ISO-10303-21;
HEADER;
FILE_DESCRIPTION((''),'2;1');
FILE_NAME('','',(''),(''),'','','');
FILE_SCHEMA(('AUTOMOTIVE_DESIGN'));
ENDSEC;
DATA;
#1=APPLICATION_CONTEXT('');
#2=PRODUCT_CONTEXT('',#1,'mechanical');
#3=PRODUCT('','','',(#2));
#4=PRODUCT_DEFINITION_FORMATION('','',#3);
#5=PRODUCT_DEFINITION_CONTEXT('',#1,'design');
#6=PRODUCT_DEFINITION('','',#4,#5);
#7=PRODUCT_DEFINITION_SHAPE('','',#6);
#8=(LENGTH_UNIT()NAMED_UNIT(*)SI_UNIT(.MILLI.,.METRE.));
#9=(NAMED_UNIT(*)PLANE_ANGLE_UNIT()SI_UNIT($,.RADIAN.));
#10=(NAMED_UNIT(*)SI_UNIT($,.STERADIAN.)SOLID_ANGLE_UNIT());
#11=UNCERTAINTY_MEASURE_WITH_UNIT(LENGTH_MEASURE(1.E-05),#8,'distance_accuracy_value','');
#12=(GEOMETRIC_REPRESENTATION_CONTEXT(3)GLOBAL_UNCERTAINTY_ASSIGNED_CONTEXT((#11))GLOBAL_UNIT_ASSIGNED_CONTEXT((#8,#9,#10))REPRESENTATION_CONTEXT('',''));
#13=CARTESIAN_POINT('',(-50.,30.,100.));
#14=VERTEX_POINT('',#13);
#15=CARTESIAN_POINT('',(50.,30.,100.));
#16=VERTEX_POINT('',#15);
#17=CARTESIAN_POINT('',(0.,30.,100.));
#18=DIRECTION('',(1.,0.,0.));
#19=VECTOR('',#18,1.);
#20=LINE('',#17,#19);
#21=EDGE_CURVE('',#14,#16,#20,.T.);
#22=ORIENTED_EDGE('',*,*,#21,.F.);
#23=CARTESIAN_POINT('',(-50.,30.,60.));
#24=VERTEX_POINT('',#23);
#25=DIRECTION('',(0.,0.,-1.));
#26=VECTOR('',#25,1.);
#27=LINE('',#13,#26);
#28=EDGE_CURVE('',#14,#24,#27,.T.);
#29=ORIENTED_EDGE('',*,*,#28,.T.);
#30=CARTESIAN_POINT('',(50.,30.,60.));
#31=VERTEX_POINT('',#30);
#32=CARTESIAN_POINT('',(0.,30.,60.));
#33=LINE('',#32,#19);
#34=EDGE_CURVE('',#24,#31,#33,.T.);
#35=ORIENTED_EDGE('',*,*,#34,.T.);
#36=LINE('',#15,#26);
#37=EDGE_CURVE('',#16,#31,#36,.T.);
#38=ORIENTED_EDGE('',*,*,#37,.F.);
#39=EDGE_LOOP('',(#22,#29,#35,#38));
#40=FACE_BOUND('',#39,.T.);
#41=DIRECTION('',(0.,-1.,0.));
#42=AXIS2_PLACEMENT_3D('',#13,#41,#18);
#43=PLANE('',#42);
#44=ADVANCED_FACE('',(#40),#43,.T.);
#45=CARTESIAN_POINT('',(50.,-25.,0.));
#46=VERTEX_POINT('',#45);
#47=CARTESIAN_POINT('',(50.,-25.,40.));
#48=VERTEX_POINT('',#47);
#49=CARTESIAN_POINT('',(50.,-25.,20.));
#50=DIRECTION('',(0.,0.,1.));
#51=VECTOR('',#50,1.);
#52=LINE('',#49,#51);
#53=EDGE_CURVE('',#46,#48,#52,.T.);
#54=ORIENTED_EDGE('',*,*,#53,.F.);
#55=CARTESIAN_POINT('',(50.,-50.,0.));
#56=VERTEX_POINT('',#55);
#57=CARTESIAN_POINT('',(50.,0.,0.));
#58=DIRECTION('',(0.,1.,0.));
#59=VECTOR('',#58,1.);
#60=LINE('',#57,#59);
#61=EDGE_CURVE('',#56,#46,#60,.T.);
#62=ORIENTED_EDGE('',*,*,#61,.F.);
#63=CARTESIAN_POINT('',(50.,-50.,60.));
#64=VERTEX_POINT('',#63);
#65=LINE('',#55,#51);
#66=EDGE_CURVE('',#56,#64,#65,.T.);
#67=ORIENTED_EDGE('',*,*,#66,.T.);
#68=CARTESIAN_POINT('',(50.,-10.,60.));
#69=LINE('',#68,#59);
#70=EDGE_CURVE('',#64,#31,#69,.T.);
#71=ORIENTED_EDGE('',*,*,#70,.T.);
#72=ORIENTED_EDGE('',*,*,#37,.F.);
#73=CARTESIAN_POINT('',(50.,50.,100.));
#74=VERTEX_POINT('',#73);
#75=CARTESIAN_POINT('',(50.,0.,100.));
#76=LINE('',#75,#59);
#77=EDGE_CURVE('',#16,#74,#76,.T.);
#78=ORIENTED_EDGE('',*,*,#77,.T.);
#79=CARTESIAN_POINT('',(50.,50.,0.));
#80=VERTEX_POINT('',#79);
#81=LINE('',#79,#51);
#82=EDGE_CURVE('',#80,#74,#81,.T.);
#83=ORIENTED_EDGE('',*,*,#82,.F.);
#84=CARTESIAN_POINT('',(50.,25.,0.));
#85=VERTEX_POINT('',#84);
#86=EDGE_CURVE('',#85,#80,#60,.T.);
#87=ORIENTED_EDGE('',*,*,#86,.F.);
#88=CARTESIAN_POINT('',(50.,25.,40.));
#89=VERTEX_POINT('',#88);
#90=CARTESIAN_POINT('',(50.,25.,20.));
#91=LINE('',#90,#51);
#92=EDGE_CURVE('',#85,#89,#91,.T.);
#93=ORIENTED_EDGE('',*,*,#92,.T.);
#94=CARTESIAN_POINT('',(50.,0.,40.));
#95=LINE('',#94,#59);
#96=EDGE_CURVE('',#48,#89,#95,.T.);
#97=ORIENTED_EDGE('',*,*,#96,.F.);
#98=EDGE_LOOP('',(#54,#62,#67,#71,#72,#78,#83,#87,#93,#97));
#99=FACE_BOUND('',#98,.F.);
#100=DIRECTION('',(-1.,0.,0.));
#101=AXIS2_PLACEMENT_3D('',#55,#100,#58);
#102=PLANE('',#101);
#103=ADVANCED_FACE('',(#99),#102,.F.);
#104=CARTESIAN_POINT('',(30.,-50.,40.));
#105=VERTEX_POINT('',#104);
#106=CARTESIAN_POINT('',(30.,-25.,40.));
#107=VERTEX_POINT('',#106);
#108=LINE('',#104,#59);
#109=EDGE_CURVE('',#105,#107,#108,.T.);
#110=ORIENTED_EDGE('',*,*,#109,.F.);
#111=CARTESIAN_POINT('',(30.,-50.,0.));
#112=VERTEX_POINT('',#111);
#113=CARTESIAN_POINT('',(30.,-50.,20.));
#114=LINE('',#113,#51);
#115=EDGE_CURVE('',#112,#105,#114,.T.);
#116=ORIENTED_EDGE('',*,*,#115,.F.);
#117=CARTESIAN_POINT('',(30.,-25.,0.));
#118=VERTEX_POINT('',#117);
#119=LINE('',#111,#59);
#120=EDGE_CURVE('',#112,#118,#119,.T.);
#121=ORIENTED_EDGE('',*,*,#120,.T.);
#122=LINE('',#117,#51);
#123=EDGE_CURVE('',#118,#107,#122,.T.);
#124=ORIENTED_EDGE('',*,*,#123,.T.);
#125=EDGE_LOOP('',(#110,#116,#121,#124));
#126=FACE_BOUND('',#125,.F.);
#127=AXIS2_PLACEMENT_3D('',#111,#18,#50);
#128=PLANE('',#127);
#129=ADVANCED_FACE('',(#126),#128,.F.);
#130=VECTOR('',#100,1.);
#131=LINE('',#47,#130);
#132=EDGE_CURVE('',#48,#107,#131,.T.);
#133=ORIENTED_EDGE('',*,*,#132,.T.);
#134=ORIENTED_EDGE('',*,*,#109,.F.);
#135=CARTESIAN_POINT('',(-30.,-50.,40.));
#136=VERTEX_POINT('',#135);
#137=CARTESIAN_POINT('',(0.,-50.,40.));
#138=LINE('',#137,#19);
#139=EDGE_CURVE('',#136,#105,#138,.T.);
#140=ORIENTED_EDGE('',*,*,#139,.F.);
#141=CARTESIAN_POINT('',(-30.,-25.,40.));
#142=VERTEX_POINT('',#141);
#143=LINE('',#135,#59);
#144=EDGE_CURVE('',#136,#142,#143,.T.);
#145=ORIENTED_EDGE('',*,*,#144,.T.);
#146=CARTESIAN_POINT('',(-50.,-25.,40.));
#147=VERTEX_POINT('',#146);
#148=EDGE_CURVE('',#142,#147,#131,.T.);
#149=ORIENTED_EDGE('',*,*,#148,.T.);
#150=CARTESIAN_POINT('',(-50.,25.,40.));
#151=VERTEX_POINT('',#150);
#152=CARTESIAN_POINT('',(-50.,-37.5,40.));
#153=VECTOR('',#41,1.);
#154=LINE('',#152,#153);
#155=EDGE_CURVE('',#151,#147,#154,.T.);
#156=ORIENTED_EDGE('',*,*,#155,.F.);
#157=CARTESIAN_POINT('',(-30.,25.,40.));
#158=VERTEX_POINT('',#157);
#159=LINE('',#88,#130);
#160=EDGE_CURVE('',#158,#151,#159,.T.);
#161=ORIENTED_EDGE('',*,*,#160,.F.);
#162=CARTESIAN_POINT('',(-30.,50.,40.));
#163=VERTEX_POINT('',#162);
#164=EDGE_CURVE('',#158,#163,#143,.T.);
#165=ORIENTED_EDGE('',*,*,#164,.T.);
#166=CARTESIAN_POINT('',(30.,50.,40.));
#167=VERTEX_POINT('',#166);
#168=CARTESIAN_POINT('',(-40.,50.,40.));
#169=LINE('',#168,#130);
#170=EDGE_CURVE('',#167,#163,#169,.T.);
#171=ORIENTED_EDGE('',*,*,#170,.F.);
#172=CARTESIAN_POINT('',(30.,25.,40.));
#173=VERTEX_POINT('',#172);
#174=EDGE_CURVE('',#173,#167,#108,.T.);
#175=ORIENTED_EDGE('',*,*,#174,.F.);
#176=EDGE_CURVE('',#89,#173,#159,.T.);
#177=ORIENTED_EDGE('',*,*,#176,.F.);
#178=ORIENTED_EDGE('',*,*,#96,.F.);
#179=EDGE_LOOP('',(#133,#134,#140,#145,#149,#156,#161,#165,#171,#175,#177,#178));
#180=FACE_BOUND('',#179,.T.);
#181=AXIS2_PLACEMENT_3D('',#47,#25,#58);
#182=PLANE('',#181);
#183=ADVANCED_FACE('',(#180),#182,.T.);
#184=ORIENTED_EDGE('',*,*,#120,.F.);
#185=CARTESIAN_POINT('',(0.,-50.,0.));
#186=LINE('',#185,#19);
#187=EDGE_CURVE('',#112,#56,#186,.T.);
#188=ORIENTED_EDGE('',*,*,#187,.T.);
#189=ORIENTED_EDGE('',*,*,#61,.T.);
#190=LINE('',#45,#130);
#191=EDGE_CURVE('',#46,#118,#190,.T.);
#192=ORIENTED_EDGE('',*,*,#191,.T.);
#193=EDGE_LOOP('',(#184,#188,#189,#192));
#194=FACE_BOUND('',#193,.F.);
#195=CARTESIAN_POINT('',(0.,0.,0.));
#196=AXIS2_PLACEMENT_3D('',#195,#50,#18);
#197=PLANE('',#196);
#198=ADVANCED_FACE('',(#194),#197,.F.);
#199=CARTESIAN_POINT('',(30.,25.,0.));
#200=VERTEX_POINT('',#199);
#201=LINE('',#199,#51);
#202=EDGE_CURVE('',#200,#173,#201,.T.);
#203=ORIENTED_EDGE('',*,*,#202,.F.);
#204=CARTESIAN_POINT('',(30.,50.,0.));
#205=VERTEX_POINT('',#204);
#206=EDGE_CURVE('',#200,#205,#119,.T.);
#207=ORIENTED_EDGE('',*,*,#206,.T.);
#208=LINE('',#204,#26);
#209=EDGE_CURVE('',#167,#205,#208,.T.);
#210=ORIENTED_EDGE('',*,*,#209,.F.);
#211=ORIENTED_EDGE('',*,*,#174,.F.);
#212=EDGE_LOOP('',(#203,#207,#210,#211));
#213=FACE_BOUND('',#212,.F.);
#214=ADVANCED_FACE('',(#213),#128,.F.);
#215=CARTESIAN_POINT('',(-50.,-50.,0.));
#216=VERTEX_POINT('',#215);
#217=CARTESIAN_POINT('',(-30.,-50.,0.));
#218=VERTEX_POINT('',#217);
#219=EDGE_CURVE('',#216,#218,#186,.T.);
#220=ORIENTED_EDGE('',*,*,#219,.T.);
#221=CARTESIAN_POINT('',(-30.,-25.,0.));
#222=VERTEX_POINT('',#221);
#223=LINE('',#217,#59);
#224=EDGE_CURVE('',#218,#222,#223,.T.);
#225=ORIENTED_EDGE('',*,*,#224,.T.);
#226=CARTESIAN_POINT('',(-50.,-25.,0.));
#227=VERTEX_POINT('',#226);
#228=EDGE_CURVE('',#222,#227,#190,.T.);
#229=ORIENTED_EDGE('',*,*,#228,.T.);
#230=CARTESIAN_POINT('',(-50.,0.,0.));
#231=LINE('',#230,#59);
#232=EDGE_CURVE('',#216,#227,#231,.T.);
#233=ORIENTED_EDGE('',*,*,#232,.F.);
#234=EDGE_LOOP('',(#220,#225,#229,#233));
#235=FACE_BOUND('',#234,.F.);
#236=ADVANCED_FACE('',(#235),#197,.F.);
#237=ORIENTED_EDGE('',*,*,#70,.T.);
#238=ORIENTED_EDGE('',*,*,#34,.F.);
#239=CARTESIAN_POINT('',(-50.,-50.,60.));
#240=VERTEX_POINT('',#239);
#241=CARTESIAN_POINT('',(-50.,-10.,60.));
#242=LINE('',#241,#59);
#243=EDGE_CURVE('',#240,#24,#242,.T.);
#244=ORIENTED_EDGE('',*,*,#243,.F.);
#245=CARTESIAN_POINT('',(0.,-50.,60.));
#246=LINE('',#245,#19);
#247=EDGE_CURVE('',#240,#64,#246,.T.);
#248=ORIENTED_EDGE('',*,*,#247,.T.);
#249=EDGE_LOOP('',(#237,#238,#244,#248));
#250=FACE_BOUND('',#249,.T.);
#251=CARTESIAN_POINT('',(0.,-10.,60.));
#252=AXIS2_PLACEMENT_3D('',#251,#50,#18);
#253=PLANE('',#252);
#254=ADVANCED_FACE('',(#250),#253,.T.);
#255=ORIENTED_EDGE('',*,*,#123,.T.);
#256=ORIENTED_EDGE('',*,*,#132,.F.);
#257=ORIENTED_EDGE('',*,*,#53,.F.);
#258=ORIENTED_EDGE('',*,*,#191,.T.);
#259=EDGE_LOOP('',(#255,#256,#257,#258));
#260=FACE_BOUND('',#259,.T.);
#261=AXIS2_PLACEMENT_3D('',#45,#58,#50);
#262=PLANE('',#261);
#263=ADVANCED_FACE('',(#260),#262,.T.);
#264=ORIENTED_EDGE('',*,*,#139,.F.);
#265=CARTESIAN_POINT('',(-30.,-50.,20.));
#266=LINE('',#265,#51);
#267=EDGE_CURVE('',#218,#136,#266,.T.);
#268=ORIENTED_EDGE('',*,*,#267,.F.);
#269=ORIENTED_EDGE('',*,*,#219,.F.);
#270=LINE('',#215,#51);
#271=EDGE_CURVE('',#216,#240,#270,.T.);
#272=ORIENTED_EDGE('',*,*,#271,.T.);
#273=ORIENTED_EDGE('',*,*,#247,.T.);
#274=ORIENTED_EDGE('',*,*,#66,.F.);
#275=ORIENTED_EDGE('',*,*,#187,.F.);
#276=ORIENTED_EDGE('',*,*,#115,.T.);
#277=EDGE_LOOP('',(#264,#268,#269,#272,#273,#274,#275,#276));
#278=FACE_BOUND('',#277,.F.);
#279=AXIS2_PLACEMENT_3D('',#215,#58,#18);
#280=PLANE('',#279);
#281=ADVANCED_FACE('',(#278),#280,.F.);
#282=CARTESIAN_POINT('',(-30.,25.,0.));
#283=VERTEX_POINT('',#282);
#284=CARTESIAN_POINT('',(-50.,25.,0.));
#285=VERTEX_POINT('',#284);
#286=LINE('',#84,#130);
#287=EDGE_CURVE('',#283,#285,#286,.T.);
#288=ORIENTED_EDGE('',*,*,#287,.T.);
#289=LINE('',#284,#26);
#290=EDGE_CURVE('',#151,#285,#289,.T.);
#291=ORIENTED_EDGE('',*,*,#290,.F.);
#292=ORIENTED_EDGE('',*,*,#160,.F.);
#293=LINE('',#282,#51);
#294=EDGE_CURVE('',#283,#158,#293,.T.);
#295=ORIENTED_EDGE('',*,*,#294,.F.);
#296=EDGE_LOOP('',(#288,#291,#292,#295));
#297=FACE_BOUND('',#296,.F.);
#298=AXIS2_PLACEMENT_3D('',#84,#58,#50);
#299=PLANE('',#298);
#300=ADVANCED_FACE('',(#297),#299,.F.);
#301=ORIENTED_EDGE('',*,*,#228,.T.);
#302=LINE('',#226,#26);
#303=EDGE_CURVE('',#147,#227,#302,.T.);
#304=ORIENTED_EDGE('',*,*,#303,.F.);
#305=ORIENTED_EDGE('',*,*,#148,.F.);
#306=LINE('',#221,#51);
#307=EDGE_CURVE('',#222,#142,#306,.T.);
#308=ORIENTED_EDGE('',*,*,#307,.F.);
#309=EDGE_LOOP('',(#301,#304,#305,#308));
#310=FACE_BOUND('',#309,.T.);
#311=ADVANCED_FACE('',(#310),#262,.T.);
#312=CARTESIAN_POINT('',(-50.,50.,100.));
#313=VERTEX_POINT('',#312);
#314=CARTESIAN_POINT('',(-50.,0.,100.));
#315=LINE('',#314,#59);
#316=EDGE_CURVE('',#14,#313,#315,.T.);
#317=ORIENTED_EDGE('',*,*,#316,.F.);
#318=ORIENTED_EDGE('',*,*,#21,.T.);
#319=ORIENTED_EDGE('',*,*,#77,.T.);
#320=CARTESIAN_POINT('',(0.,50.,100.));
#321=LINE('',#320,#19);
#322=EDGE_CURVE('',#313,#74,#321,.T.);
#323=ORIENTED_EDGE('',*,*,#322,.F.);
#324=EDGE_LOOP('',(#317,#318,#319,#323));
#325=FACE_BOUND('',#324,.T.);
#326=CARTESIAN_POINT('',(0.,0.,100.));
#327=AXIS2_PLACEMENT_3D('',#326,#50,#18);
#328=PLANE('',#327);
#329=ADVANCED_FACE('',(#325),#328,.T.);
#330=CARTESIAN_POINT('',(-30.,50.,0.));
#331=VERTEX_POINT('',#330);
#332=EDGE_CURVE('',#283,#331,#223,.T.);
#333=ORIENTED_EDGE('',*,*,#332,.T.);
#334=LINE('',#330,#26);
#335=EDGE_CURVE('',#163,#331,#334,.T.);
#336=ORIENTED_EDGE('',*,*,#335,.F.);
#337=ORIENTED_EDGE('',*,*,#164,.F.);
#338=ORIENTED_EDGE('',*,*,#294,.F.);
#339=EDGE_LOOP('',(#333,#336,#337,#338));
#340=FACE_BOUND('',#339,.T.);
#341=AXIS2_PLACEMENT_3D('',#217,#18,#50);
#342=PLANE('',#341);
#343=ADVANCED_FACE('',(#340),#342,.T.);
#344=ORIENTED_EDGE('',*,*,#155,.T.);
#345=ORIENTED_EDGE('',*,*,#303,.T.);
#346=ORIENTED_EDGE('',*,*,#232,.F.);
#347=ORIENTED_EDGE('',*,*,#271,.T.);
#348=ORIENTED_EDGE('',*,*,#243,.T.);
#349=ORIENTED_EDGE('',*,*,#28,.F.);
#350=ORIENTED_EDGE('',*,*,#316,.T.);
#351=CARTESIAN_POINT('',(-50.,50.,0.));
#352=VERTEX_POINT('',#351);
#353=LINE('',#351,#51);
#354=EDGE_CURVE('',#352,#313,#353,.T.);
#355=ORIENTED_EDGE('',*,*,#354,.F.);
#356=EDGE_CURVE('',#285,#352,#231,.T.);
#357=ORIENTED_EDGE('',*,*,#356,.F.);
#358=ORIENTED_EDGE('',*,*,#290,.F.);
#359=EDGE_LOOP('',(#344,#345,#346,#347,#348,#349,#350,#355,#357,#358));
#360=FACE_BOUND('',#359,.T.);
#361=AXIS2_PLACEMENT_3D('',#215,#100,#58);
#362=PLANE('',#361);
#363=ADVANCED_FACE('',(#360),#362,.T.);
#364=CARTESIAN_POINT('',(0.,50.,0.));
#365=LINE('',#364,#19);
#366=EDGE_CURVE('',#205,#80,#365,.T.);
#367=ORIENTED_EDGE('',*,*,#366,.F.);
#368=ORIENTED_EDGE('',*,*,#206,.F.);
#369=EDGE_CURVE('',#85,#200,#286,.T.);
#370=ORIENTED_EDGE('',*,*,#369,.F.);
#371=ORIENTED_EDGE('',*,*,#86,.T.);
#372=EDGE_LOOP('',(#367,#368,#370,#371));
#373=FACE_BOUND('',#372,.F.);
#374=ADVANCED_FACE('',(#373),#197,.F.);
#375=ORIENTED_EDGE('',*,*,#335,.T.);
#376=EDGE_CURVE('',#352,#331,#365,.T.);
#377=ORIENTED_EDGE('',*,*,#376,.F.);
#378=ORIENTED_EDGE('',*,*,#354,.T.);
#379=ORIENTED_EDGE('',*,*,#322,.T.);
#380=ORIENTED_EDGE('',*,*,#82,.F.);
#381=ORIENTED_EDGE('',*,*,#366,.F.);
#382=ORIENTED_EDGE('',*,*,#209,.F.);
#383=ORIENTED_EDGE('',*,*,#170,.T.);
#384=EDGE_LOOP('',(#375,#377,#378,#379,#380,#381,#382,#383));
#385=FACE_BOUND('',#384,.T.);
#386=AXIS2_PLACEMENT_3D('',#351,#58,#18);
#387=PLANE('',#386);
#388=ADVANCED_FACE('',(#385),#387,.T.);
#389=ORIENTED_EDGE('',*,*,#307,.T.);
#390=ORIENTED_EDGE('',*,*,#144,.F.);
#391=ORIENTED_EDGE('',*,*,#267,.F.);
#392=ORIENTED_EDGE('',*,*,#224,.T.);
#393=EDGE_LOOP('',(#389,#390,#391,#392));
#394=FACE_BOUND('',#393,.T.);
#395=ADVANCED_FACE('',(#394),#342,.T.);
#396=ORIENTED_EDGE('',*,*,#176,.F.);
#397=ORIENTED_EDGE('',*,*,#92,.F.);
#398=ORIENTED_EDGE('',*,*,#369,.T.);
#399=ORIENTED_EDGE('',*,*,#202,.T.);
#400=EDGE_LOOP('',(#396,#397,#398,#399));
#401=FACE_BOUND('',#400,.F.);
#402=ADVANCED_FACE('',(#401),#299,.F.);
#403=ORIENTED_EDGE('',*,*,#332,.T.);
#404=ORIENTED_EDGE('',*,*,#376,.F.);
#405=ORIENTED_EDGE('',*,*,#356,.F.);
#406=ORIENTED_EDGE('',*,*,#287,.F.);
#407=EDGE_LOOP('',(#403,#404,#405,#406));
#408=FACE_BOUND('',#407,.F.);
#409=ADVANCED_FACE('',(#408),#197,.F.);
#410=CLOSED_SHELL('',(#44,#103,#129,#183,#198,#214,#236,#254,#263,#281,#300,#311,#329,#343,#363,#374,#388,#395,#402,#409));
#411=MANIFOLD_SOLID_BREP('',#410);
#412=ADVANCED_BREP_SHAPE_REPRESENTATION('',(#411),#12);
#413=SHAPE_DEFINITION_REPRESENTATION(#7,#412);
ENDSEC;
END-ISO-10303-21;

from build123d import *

# Parameters (mm, degrees)
F0_W     = 100
F0_H     = 100
F1_DEPTH = 100
F2_W     = 100
F2_H     = 80
F3_DEPTH = 40
F4_W     = 60
F4_H     = 40
F5_DEPTH = 100.001
F6_W     = 50
F6_H     = 40
F7_DEPTH = 100.001


with BuildPart() as f1:
    # F0 (on Top) → F1 (new body)
    with BuildSketch(Plane.XY):
        Rectangle(F0_W, F0_H)
    extrude(amount=F1_DEPTH)

    # F2 (on face) → F3 (cut)
    with BuildSketch(Plane.XY.offset(100)):
        with Locations((0, -10)):
            Rectangle(F2_W, F2_H)
    extrude(amount=-F3_DEPTH, mode=Mode.SUBTRACT)

    # F4 (on face) → F5 (cut, through all)
    with BuildSketch(Plane.XZ.offset(50)):
        with Locations((0, 20)):
            Rectangle(F4_W, F4_H)
    extrude(amount=-F5_DEPTH, mode=Mode.SUBTRACT)

    # F6 (on face) → F7 (cut, through all)
    with BuildSketch(Plane.YZ.offset(50)):
        with Locations((0, 20)):
            Rectangle(F6_W, F6_H)
    extrude(amount=-F7_DEPTH, mode=Mode.SUBTRACT)


solid = f1.part
